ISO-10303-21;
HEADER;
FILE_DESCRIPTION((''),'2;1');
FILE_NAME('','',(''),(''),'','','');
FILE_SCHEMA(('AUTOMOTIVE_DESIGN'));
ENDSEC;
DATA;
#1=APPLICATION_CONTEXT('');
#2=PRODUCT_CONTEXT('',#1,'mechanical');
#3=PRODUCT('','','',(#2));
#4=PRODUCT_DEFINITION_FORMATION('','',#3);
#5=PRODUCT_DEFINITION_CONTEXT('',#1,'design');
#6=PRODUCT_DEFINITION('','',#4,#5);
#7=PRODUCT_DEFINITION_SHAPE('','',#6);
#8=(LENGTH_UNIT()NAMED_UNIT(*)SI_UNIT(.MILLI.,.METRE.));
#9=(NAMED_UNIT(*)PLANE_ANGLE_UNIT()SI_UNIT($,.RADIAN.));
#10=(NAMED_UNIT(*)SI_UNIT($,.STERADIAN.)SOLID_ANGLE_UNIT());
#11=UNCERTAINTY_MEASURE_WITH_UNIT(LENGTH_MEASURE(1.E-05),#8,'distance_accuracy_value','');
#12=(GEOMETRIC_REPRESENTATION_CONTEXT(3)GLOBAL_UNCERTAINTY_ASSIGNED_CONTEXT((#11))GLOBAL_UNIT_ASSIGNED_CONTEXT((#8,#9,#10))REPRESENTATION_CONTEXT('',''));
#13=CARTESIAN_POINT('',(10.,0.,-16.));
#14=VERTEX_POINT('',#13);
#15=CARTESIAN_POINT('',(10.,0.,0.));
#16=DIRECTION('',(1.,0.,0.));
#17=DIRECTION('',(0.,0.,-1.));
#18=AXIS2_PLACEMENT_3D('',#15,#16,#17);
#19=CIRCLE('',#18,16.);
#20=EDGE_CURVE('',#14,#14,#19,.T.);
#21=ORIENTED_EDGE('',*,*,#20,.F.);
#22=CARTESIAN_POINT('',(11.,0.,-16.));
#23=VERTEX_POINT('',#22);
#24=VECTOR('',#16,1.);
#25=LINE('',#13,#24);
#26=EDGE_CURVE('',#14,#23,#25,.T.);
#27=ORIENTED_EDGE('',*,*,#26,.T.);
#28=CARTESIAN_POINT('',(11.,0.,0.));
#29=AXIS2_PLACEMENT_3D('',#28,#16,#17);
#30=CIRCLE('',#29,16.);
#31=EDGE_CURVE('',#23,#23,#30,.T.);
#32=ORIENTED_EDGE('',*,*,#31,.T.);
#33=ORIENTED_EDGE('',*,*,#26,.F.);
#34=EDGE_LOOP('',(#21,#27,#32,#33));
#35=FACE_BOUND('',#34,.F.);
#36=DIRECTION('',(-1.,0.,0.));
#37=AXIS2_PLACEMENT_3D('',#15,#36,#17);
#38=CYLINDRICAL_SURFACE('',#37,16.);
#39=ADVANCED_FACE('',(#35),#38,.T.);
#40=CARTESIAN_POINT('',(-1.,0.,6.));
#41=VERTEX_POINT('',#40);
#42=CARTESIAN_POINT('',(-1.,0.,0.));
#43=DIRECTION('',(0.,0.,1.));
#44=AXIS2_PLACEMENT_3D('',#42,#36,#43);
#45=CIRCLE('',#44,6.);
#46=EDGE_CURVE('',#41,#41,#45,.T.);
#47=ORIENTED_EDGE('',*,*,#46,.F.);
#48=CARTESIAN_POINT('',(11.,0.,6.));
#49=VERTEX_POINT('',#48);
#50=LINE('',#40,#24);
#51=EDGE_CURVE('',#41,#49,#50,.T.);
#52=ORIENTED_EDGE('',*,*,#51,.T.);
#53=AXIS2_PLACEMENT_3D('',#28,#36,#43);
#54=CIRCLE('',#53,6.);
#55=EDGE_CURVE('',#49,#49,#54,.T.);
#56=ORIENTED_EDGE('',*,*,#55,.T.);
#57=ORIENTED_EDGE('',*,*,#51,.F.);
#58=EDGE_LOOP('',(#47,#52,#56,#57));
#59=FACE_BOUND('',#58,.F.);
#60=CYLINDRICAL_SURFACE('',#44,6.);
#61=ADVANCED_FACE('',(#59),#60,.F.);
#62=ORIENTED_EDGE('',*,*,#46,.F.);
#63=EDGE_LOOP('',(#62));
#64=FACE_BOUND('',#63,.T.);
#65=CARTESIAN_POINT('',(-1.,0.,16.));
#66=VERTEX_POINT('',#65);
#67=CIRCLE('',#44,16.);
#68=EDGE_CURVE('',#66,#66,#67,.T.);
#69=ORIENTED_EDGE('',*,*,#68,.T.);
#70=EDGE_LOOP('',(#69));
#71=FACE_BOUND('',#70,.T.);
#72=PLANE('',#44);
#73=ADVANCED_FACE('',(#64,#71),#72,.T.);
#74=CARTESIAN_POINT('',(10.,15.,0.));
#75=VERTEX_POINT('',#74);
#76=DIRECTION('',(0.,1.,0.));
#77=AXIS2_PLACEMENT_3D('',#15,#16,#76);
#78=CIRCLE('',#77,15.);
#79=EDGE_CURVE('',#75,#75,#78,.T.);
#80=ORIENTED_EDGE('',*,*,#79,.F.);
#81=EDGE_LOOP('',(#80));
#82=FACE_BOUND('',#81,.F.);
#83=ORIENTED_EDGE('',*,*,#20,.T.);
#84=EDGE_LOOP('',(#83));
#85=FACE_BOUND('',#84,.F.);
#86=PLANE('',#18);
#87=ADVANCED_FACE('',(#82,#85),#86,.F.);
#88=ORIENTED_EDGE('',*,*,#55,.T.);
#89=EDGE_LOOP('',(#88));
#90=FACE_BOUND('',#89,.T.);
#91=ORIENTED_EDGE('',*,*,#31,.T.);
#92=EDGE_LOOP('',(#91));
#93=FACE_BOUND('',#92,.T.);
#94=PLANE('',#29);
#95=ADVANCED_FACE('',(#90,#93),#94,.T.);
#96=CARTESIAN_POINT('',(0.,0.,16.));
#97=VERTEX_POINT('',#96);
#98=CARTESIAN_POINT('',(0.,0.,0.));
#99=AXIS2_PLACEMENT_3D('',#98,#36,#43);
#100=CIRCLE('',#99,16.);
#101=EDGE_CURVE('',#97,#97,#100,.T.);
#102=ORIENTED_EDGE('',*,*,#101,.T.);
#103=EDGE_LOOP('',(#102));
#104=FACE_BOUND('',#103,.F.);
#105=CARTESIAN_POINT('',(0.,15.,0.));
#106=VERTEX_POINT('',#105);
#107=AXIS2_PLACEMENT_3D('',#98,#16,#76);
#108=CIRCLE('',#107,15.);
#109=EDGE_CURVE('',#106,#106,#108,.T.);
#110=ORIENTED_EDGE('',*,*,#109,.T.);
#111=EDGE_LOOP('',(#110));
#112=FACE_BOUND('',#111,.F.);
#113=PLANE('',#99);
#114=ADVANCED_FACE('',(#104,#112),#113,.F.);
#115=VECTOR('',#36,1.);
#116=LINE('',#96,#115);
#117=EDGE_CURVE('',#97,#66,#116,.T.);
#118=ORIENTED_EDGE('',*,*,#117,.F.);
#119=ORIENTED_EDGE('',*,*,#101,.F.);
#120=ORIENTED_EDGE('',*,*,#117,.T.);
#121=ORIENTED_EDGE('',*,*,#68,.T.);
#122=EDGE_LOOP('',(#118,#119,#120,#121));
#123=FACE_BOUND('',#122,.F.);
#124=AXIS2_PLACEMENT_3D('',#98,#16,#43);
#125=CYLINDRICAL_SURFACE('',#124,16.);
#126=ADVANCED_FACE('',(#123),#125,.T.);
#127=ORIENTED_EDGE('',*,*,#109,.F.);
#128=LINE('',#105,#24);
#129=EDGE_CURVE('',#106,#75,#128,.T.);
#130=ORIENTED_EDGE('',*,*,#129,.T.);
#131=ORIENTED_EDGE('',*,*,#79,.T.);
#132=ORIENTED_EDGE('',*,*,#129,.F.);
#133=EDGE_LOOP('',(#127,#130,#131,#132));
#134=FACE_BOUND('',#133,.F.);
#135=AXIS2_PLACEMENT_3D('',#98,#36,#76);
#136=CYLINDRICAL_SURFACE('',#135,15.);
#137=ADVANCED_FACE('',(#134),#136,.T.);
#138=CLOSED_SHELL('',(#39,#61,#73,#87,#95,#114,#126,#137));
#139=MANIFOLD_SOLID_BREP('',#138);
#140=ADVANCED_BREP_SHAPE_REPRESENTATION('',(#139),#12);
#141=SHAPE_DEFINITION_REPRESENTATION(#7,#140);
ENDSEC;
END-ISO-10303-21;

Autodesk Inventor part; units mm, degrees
ref_plane "YZ Plane" through (0, 0, 0) normal (1, 0, 0) x (0, 1, 0)
ref_plane "XZ Plane" through (0, 0, 0) normal (0, 1, 0) x (-1, 0, 0)
ref_plane "XY Plane" through (0, 0, 0) normal (0, 0, 1) x (1, 0, 0)
sketch "スケッチ1" plane through (0, 0, 0) normal (1, 0, 0) x (0, 1, 0)
  circle A0 centre (0, 0) radius 15
  dimension "d0" = 30
extrude "押し出し1" add sketch "スケッチ1" along normal blind 10
sketch "スケッチ2" plane through (10, 0, 0) normal (1, 0, 0) x (0, 0, -1)
  circle A0 centre (0, 0) radius 16
  dimension "d3" = 32
extrude "押し出し2" add sketch "スケッチ2" along normal blind 1
sketch "スケッチ3" plane through (0, 0, 0) normal (-1, 0, 0) x (0, 0, 1)
  circle A0 centre (0, 0) radius 16
  dimension "d6" = 32
extrude "押し出し3" add sketch "スケッチ3" along normal blind 1
sketch "スケッチ4" plane through (-1, 0, 0) normal (-1, 0, 0) x (0, 0, 1)
  circle A0 centre (0, 0) radius 6
  dimension "d9" = 12
extrude "押し出し4" cut sketch "スケッチ4" against normal blind 12
properties part number "type2" material "アセタール樹脂、白"
